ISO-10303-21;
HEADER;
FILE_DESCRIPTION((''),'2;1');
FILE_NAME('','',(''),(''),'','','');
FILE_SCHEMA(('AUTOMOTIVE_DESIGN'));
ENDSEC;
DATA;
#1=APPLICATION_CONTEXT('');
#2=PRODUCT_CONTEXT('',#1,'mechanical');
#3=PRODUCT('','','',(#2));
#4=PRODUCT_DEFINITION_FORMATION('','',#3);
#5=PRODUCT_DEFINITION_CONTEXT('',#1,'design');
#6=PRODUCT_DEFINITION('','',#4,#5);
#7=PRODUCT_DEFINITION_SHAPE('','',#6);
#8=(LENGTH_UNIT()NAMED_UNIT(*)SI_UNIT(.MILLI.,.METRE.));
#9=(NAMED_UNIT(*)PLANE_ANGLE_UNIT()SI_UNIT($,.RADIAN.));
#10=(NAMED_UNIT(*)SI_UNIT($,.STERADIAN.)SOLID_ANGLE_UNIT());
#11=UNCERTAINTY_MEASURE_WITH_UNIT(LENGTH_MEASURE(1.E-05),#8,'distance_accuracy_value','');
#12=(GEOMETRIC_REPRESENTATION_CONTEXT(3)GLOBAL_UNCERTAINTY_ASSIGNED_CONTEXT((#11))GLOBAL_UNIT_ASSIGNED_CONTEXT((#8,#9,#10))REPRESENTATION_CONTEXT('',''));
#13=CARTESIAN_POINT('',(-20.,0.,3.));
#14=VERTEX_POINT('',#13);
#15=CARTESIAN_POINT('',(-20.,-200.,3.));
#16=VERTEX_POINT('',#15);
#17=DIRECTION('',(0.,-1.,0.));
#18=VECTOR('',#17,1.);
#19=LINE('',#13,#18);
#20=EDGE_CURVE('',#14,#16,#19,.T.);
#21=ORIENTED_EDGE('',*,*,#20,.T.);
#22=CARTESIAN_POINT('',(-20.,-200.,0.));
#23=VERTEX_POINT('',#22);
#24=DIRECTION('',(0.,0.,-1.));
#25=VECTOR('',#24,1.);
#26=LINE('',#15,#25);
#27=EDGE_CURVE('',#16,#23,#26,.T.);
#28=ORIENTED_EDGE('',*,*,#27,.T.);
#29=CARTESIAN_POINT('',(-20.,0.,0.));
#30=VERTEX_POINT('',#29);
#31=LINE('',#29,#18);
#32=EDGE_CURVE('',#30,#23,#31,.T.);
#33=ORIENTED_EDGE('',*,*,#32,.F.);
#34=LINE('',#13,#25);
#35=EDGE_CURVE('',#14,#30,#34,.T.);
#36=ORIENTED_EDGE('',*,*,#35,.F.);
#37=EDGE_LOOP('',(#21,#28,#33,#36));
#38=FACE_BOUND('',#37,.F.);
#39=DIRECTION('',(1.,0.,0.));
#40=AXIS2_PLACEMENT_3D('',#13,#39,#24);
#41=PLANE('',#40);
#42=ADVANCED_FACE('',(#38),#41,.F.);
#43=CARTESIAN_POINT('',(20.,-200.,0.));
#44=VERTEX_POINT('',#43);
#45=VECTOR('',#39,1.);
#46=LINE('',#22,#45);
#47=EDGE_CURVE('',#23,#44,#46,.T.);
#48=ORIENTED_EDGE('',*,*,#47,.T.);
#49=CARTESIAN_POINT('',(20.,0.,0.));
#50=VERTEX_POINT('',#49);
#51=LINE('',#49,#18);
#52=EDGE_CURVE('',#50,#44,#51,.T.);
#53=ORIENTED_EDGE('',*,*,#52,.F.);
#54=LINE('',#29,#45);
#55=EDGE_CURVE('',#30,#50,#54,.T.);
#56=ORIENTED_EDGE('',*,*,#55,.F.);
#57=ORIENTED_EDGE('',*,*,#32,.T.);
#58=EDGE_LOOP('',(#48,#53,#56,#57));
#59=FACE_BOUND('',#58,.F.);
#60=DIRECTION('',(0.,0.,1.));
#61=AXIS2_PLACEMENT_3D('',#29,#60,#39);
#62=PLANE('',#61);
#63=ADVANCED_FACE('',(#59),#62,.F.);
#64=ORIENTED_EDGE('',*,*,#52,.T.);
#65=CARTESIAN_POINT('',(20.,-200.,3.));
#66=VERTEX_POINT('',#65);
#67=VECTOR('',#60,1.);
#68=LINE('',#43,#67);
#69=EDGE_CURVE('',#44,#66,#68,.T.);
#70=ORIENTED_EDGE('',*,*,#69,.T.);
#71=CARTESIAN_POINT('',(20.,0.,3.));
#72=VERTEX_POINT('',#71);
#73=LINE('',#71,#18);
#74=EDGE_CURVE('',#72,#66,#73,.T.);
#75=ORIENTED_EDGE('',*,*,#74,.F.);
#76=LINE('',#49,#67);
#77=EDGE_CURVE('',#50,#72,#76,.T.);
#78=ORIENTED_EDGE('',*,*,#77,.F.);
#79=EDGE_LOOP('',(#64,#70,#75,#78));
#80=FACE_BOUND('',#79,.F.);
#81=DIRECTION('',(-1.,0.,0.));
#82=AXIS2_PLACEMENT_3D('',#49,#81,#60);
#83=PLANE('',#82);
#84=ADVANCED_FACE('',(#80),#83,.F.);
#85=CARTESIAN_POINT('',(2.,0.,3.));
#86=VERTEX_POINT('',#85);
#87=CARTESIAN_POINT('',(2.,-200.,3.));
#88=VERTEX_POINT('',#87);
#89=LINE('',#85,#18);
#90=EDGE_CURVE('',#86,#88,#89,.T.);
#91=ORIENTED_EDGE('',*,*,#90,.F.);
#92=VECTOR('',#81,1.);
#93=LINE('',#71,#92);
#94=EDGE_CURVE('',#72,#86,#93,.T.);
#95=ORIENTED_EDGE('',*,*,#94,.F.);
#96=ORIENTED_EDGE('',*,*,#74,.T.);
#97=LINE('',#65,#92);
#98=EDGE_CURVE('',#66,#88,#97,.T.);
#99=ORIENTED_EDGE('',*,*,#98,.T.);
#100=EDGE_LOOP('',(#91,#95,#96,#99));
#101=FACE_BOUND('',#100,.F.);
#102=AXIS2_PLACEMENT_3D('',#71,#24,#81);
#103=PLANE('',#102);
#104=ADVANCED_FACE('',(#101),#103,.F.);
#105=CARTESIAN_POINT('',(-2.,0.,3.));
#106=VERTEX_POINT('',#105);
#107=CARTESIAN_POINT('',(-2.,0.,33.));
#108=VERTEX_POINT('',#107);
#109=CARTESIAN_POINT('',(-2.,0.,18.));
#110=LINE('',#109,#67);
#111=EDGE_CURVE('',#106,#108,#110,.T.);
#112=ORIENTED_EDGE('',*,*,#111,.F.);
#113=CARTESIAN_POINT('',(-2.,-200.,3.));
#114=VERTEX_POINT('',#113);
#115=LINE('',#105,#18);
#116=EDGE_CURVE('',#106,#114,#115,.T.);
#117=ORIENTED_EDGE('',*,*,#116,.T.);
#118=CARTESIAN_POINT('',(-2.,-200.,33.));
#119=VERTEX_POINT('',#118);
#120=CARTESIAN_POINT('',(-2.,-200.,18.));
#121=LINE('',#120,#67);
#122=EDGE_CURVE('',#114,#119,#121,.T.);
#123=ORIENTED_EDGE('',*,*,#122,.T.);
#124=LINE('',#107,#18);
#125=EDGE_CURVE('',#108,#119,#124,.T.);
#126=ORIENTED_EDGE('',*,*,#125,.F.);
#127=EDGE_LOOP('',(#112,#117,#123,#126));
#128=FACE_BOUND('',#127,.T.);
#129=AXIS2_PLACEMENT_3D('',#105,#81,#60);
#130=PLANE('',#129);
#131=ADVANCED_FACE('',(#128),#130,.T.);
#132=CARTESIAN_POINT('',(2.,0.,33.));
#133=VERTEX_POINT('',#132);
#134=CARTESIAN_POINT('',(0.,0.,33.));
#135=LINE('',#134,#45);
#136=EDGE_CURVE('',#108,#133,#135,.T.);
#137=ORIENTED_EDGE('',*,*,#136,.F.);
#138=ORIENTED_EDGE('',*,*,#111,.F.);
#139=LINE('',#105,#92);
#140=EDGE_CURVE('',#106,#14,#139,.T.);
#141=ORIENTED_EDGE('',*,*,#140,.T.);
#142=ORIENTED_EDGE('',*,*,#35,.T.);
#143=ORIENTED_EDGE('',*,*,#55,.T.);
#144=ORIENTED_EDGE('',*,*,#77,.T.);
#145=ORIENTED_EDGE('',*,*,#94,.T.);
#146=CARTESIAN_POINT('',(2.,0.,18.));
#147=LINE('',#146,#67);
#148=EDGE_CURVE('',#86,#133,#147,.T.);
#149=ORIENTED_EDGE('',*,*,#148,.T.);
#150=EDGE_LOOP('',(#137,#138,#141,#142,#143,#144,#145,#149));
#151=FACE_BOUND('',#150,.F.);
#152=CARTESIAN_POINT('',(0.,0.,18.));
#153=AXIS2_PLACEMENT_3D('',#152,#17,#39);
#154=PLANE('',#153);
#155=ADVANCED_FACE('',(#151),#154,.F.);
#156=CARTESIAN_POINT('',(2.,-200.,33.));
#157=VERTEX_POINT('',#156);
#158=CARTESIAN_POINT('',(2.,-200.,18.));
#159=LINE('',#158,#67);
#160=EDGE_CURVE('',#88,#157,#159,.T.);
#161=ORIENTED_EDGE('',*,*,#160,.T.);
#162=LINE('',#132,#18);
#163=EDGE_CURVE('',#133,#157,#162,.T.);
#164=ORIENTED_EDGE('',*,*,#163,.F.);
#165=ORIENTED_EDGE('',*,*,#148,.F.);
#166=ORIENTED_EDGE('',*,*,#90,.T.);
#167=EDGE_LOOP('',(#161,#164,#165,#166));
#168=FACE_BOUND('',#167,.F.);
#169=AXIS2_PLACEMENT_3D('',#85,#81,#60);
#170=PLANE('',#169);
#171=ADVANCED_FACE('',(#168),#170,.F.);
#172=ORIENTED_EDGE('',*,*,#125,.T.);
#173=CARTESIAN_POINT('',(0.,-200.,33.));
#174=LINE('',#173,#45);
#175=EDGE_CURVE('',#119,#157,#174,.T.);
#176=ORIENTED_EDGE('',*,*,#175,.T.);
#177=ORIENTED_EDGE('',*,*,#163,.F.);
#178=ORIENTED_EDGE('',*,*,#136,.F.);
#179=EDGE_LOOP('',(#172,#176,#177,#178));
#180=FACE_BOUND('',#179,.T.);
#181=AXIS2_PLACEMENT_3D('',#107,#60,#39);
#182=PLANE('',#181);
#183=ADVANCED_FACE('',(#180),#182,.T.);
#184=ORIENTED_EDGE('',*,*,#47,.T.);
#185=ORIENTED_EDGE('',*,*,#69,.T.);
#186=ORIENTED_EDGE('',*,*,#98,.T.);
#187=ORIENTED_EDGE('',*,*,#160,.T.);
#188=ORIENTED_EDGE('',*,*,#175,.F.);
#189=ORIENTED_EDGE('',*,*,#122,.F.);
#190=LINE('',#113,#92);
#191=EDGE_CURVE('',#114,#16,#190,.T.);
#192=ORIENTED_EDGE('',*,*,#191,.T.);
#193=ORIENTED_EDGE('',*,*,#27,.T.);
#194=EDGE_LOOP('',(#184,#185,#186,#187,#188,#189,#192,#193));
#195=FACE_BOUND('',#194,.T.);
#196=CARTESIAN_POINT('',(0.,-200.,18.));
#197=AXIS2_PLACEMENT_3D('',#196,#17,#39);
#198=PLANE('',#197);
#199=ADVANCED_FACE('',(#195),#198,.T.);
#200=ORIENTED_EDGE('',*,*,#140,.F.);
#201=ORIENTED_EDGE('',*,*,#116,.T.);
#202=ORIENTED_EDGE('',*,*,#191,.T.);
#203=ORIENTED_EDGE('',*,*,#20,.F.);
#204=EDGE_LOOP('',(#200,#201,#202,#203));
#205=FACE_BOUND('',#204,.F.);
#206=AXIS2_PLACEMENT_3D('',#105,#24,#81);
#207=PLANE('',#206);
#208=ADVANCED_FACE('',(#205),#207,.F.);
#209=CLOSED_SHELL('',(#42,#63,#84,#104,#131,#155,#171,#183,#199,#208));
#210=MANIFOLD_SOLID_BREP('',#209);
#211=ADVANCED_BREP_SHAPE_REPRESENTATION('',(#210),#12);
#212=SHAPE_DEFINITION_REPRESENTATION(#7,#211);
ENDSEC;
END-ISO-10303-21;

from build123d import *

# Parameters (mm, degrees)
F0_W     = 4
F0_H     = 30
F1_DEPTH = 200


with BuildPart() as f1:
    # F0 (on Front) → F1 (new body)
    with BuildSketch(Plane.XZ):
        with Locations((0, 18)):
            Rectangle(F0_W, F0_H)
        Polygon((-2, 3), (-20, 3), (-20, 0), (20, 0), (20, 3), (2, 3), align=None)
    extrude(amount=F1_DEPTH)


solid = f1.part
